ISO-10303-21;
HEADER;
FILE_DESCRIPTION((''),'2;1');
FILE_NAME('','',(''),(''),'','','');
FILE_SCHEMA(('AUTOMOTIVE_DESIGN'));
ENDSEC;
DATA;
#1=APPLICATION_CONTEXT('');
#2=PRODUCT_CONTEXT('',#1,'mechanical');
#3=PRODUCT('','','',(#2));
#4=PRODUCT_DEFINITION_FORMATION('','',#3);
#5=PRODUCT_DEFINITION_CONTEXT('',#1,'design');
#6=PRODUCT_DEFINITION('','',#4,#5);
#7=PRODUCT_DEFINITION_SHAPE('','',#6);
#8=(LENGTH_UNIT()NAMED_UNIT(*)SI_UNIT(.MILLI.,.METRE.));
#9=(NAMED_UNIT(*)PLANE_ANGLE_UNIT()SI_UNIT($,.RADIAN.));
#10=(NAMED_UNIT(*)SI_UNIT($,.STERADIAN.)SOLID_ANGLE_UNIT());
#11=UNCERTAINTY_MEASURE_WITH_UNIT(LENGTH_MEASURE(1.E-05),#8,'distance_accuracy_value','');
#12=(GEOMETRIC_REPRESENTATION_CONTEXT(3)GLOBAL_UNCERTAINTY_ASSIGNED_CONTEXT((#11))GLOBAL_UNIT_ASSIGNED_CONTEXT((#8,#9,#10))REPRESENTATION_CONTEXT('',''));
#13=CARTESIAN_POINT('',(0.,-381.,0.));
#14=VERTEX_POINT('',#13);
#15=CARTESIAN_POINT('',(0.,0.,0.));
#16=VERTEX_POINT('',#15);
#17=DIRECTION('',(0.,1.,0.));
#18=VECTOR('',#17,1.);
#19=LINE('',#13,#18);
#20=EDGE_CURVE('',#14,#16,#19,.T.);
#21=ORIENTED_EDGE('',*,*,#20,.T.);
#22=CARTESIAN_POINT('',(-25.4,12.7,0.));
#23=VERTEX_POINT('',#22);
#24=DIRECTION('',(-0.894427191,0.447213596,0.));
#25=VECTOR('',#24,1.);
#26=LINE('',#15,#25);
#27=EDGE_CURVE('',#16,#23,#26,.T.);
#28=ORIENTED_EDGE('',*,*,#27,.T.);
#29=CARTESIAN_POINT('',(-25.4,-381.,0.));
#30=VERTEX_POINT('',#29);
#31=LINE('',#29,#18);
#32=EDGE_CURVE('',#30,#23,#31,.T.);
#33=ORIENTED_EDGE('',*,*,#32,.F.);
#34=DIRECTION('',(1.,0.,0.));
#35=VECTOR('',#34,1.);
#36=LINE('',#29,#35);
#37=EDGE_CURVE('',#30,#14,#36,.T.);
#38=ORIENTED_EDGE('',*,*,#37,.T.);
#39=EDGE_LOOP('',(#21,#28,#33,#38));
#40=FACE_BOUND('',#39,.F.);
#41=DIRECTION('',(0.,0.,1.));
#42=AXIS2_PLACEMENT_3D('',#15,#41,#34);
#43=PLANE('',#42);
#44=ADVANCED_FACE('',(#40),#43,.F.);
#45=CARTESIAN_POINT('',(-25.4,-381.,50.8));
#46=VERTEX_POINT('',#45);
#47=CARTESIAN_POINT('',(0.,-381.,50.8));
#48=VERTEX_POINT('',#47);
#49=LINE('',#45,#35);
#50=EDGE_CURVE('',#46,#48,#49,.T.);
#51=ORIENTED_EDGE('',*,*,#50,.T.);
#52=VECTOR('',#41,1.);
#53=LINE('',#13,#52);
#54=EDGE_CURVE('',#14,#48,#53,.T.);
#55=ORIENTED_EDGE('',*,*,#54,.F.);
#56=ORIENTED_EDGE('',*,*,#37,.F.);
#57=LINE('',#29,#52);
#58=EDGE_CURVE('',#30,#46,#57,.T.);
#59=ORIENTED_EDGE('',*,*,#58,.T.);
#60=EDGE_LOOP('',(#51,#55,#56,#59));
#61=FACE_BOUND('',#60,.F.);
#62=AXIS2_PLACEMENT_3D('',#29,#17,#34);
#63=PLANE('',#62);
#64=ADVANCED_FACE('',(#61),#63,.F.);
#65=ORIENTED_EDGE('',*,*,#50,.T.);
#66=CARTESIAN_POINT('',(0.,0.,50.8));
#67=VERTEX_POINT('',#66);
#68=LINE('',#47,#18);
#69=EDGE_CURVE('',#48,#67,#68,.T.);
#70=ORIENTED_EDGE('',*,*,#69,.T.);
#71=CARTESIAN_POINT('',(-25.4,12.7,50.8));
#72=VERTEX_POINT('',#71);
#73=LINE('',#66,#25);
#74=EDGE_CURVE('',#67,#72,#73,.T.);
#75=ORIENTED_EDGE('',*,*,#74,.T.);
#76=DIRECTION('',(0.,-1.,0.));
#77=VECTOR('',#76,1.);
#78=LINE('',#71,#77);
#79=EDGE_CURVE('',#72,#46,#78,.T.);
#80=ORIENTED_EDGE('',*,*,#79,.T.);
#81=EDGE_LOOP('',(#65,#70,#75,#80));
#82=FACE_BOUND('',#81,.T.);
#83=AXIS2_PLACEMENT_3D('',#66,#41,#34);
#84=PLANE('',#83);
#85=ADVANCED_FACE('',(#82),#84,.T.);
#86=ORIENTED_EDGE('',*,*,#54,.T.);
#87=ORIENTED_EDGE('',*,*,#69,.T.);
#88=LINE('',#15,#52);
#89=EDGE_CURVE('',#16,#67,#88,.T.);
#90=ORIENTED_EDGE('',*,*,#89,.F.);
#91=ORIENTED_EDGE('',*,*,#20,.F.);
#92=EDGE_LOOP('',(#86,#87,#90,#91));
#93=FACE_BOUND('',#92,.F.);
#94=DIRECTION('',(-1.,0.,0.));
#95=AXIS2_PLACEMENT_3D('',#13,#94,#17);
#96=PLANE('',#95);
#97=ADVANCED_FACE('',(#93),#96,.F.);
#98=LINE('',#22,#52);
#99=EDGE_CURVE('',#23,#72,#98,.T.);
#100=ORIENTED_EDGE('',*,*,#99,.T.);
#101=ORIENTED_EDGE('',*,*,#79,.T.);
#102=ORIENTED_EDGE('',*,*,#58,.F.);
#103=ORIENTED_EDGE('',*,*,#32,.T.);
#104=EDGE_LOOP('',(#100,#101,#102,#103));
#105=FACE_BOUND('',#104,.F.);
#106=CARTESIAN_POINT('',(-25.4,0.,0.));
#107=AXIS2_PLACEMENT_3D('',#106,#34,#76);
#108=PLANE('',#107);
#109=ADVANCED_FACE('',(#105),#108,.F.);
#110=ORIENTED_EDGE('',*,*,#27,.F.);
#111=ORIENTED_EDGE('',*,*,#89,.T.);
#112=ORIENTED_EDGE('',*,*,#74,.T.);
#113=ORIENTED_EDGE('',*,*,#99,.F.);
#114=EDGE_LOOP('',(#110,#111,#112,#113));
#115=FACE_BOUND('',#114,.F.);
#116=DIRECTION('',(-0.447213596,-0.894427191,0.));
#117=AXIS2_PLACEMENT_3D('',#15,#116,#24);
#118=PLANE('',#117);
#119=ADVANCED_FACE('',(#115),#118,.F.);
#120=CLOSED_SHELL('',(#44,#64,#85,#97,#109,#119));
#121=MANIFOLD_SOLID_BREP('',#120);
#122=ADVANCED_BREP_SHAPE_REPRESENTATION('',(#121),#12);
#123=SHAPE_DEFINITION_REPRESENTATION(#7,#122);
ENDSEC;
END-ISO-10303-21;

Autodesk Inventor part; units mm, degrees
ref_plane "YZ Plane" through (0, 0, 0) normal (1, 0, 0) x (0, 1, 0)
ref_plane "XZ Plane" through (0, 0, 0) normal (0, 1, 0) x (-1, 0, 0)
ref_plane "XY Plane" through (0, 0, 0) normal (0, 0, 1) x (1, 0, 0)
sketch "Sketch1" plane through (0, 0, 0) normal (0, 0, 1) x (1, 0, 0)
  line L0 (0, 0) -> (-25.4, 0)
  line L1 (-25.4, 0) -> (-25.4, -381)
  line L2 (-25.4, -381) -> (0, -381)
  line L3 (0, -381) -> (0, 0)
  line L4 (0, 0) -> (-25.4, 0)
  line L5 (-25.4, 0) -> (-25.4, 12.7)
  line L6 (0, 0) -> (-25.4, 12.7)
  dimension "d0" = 25.4
  dimension "d1" = 381
  dimension "d3" = 12.7
  dimension "d7" = 25.4
extrude "Extrusion1" add sketch "Sketch1" along normal blind 50.8
properties part number "ramp angle 1"
